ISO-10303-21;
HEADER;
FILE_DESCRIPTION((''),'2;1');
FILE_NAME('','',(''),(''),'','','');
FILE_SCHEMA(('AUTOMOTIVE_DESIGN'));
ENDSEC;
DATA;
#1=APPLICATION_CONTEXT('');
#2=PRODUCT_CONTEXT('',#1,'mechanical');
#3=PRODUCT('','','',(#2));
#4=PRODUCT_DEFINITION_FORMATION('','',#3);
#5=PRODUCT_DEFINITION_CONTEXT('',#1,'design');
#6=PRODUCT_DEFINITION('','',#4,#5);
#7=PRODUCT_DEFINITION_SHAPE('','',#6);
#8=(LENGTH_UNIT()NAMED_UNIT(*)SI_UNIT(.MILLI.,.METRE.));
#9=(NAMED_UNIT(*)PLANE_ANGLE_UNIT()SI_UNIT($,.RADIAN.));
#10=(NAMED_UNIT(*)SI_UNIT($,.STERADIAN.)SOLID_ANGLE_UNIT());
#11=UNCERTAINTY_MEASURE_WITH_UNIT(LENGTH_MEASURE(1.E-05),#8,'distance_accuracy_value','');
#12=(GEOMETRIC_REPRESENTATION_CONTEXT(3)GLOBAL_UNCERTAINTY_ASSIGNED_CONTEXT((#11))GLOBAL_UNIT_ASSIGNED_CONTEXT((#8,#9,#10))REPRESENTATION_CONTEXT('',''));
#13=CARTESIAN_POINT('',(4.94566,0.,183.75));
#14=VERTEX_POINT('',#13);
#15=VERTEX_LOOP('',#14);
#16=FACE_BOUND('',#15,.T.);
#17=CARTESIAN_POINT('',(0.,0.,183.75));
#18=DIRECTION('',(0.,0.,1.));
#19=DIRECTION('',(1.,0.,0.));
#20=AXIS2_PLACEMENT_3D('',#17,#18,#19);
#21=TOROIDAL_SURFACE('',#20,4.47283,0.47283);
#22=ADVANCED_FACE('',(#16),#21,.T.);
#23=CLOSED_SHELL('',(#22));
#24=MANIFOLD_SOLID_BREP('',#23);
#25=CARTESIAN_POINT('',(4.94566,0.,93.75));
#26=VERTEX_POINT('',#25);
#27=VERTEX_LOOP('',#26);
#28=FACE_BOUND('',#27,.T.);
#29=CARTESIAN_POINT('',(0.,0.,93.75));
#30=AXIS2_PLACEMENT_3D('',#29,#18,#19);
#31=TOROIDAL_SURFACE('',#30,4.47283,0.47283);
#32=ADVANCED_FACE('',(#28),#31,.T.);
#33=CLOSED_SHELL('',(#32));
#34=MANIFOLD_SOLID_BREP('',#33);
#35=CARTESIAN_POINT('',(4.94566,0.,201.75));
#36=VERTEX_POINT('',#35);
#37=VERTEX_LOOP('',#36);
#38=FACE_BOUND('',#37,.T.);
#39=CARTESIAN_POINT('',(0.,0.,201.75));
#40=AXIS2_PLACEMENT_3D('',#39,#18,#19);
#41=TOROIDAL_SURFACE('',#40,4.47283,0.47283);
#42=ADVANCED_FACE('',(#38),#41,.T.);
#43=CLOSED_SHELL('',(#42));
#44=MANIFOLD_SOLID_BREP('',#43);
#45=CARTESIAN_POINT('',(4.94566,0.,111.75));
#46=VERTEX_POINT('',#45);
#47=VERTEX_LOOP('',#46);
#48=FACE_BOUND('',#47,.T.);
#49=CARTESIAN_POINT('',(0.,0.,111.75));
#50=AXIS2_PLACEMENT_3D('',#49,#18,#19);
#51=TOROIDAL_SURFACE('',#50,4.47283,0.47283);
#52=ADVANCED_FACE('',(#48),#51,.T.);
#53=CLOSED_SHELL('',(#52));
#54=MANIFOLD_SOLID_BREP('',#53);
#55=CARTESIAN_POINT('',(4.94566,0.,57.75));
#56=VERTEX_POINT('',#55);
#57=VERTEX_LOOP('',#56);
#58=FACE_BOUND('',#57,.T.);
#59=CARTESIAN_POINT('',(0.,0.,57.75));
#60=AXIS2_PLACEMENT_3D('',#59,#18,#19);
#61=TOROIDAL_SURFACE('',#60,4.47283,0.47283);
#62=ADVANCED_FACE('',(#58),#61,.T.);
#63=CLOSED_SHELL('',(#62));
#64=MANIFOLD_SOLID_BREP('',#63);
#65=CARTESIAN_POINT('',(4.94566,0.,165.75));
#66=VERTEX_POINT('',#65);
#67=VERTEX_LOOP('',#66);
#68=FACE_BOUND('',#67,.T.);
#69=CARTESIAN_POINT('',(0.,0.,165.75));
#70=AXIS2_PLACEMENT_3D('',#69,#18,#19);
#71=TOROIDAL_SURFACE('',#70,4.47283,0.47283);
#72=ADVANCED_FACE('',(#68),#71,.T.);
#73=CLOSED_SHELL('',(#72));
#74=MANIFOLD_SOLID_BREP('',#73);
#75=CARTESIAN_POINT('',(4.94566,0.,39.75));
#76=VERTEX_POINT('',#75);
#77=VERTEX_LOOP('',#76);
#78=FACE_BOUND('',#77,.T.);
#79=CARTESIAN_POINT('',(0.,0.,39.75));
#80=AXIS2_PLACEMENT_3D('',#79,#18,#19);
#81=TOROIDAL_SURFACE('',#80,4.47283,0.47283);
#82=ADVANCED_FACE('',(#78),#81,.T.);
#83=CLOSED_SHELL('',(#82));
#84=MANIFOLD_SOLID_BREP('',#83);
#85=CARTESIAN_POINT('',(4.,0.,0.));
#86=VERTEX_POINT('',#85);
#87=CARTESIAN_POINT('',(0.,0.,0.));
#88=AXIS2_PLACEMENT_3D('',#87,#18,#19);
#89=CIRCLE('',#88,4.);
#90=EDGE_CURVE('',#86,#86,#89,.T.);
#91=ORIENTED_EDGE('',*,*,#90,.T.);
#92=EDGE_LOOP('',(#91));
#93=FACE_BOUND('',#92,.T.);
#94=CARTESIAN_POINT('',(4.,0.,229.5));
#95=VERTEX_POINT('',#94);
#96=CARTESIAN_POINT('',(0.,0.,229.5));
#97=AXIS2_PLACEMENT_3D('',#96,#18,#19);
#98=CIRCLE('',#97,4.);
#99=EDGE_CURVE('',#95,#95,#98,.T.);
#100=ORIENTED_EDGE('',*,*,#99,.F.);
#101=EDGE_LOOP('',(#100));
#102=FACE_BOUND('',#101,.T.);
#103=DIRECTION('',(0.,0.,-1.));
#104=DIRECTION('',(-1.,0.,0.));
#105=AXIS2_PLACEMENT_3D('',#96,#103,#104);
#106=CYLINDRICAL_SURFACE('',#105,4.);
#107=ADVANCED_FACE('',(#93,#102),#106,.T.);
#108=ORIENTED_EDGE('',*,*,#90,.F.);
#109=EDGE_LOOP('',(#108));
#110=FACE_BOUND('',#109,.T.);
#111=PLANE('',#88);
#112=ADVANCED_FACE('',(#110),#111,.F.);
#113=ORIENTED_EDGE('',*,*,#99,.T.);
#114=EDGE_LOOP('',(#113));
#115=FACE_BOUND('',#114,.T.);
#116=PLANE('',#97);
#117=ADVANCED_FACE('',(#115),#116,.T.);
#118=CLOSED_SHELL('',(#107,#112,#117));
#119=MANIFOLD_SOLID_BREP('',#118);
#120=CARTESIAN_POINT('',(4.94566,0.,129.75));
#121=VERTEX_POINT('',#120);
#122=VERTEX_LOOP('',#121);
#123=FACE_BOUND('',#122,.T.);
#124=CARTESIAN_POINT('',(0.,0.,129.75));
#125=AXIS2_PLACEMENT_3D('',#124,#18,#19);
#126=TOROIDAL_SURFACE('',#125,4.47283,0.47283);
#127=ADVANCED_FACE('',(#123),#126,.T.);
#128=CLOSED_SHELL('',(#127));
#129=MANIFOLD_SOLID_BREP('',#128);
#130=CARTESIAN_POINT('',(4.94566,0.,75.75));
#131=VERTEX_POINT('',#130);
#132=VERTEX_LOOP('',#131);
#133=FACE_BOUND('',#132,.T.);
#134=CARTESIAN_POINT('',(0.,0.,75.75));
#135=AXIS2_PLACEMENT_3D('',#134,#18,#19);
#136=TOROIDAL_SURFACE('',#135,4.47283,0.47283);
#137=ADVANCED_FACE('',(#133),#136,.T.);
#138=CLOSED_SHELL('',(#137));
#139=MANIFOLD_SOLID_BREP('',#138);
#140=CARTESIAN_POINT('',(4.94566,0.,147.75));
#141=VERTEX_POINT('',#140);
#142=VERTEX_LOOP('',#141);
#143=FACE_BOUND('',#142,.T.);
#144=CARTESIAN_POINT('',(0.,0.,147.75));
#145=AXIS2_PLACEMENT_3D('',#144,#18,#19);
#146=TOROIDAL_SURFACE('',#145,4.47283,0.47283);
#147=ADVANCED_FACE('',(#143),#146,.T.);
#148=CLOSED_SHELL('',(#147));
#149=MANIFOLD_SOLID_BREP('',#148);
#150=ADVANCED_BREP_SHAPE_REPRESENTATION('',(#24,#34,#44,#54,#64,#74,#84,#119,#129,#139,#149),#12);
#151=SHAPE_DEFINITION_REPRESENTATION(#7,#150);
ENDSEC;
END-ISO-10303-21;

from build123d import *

# Parameters (mm, degrees)
SKETCH1_R           = 4
BOSS_EXTRUDE1_DEPTH = 229.5
SKETCH3_R           = 0.47283


with BuildPart() as part:
    # Sketch1 → Boss-Extrude1 (new body)
    with BuildSketch(Plane.XY):
        Circle(SKETCH1_R)
    extrude(amount=BOSS_EXTRUDE1_DEPTH)


with BuildPart() as body_2:
    # Sketch3 → Revolve1 (revolve)
    with BuildSketch(Plane(origin=(0, 0, 0), x_dir=(1, 0, 0), z_dir=(0, 1, 0))):
        with Locations((4.47283, -201.75)):
            Circle(SKETCH3_R)
        with Locations((4.47283, -183.75)):
            Circle(SKETCH3_R)
        with Locations((4.47283, -165.75)):
            Circle(SKETCH3_R)
        with Locations((4.47283, -147.75)):
            Circle(SKETCH3_R)
        with Locations((4.47283, -129.75)):
            Circle(SKETCH3_R)
        with Locations((4.47283, -111.75)):
            Circle(SKETCH3_R)
        with Locations((4.47283, -93.75)):
            Circle(SKETCH3_R)
        with Locations((4.47283, -75.75)):
            Circle(SKETCH3_R)
        with Locations((4.47283, -57.75)):
            Circle(SKETCH3_R)
        with Locations((4.47283, -39.75)):
            Circle(SKETCH3_R)
    revolve(axis=Axis((0, 0, 229.5), (0, 0, -1)))


solid = Compound([part.part, body_2.part])
